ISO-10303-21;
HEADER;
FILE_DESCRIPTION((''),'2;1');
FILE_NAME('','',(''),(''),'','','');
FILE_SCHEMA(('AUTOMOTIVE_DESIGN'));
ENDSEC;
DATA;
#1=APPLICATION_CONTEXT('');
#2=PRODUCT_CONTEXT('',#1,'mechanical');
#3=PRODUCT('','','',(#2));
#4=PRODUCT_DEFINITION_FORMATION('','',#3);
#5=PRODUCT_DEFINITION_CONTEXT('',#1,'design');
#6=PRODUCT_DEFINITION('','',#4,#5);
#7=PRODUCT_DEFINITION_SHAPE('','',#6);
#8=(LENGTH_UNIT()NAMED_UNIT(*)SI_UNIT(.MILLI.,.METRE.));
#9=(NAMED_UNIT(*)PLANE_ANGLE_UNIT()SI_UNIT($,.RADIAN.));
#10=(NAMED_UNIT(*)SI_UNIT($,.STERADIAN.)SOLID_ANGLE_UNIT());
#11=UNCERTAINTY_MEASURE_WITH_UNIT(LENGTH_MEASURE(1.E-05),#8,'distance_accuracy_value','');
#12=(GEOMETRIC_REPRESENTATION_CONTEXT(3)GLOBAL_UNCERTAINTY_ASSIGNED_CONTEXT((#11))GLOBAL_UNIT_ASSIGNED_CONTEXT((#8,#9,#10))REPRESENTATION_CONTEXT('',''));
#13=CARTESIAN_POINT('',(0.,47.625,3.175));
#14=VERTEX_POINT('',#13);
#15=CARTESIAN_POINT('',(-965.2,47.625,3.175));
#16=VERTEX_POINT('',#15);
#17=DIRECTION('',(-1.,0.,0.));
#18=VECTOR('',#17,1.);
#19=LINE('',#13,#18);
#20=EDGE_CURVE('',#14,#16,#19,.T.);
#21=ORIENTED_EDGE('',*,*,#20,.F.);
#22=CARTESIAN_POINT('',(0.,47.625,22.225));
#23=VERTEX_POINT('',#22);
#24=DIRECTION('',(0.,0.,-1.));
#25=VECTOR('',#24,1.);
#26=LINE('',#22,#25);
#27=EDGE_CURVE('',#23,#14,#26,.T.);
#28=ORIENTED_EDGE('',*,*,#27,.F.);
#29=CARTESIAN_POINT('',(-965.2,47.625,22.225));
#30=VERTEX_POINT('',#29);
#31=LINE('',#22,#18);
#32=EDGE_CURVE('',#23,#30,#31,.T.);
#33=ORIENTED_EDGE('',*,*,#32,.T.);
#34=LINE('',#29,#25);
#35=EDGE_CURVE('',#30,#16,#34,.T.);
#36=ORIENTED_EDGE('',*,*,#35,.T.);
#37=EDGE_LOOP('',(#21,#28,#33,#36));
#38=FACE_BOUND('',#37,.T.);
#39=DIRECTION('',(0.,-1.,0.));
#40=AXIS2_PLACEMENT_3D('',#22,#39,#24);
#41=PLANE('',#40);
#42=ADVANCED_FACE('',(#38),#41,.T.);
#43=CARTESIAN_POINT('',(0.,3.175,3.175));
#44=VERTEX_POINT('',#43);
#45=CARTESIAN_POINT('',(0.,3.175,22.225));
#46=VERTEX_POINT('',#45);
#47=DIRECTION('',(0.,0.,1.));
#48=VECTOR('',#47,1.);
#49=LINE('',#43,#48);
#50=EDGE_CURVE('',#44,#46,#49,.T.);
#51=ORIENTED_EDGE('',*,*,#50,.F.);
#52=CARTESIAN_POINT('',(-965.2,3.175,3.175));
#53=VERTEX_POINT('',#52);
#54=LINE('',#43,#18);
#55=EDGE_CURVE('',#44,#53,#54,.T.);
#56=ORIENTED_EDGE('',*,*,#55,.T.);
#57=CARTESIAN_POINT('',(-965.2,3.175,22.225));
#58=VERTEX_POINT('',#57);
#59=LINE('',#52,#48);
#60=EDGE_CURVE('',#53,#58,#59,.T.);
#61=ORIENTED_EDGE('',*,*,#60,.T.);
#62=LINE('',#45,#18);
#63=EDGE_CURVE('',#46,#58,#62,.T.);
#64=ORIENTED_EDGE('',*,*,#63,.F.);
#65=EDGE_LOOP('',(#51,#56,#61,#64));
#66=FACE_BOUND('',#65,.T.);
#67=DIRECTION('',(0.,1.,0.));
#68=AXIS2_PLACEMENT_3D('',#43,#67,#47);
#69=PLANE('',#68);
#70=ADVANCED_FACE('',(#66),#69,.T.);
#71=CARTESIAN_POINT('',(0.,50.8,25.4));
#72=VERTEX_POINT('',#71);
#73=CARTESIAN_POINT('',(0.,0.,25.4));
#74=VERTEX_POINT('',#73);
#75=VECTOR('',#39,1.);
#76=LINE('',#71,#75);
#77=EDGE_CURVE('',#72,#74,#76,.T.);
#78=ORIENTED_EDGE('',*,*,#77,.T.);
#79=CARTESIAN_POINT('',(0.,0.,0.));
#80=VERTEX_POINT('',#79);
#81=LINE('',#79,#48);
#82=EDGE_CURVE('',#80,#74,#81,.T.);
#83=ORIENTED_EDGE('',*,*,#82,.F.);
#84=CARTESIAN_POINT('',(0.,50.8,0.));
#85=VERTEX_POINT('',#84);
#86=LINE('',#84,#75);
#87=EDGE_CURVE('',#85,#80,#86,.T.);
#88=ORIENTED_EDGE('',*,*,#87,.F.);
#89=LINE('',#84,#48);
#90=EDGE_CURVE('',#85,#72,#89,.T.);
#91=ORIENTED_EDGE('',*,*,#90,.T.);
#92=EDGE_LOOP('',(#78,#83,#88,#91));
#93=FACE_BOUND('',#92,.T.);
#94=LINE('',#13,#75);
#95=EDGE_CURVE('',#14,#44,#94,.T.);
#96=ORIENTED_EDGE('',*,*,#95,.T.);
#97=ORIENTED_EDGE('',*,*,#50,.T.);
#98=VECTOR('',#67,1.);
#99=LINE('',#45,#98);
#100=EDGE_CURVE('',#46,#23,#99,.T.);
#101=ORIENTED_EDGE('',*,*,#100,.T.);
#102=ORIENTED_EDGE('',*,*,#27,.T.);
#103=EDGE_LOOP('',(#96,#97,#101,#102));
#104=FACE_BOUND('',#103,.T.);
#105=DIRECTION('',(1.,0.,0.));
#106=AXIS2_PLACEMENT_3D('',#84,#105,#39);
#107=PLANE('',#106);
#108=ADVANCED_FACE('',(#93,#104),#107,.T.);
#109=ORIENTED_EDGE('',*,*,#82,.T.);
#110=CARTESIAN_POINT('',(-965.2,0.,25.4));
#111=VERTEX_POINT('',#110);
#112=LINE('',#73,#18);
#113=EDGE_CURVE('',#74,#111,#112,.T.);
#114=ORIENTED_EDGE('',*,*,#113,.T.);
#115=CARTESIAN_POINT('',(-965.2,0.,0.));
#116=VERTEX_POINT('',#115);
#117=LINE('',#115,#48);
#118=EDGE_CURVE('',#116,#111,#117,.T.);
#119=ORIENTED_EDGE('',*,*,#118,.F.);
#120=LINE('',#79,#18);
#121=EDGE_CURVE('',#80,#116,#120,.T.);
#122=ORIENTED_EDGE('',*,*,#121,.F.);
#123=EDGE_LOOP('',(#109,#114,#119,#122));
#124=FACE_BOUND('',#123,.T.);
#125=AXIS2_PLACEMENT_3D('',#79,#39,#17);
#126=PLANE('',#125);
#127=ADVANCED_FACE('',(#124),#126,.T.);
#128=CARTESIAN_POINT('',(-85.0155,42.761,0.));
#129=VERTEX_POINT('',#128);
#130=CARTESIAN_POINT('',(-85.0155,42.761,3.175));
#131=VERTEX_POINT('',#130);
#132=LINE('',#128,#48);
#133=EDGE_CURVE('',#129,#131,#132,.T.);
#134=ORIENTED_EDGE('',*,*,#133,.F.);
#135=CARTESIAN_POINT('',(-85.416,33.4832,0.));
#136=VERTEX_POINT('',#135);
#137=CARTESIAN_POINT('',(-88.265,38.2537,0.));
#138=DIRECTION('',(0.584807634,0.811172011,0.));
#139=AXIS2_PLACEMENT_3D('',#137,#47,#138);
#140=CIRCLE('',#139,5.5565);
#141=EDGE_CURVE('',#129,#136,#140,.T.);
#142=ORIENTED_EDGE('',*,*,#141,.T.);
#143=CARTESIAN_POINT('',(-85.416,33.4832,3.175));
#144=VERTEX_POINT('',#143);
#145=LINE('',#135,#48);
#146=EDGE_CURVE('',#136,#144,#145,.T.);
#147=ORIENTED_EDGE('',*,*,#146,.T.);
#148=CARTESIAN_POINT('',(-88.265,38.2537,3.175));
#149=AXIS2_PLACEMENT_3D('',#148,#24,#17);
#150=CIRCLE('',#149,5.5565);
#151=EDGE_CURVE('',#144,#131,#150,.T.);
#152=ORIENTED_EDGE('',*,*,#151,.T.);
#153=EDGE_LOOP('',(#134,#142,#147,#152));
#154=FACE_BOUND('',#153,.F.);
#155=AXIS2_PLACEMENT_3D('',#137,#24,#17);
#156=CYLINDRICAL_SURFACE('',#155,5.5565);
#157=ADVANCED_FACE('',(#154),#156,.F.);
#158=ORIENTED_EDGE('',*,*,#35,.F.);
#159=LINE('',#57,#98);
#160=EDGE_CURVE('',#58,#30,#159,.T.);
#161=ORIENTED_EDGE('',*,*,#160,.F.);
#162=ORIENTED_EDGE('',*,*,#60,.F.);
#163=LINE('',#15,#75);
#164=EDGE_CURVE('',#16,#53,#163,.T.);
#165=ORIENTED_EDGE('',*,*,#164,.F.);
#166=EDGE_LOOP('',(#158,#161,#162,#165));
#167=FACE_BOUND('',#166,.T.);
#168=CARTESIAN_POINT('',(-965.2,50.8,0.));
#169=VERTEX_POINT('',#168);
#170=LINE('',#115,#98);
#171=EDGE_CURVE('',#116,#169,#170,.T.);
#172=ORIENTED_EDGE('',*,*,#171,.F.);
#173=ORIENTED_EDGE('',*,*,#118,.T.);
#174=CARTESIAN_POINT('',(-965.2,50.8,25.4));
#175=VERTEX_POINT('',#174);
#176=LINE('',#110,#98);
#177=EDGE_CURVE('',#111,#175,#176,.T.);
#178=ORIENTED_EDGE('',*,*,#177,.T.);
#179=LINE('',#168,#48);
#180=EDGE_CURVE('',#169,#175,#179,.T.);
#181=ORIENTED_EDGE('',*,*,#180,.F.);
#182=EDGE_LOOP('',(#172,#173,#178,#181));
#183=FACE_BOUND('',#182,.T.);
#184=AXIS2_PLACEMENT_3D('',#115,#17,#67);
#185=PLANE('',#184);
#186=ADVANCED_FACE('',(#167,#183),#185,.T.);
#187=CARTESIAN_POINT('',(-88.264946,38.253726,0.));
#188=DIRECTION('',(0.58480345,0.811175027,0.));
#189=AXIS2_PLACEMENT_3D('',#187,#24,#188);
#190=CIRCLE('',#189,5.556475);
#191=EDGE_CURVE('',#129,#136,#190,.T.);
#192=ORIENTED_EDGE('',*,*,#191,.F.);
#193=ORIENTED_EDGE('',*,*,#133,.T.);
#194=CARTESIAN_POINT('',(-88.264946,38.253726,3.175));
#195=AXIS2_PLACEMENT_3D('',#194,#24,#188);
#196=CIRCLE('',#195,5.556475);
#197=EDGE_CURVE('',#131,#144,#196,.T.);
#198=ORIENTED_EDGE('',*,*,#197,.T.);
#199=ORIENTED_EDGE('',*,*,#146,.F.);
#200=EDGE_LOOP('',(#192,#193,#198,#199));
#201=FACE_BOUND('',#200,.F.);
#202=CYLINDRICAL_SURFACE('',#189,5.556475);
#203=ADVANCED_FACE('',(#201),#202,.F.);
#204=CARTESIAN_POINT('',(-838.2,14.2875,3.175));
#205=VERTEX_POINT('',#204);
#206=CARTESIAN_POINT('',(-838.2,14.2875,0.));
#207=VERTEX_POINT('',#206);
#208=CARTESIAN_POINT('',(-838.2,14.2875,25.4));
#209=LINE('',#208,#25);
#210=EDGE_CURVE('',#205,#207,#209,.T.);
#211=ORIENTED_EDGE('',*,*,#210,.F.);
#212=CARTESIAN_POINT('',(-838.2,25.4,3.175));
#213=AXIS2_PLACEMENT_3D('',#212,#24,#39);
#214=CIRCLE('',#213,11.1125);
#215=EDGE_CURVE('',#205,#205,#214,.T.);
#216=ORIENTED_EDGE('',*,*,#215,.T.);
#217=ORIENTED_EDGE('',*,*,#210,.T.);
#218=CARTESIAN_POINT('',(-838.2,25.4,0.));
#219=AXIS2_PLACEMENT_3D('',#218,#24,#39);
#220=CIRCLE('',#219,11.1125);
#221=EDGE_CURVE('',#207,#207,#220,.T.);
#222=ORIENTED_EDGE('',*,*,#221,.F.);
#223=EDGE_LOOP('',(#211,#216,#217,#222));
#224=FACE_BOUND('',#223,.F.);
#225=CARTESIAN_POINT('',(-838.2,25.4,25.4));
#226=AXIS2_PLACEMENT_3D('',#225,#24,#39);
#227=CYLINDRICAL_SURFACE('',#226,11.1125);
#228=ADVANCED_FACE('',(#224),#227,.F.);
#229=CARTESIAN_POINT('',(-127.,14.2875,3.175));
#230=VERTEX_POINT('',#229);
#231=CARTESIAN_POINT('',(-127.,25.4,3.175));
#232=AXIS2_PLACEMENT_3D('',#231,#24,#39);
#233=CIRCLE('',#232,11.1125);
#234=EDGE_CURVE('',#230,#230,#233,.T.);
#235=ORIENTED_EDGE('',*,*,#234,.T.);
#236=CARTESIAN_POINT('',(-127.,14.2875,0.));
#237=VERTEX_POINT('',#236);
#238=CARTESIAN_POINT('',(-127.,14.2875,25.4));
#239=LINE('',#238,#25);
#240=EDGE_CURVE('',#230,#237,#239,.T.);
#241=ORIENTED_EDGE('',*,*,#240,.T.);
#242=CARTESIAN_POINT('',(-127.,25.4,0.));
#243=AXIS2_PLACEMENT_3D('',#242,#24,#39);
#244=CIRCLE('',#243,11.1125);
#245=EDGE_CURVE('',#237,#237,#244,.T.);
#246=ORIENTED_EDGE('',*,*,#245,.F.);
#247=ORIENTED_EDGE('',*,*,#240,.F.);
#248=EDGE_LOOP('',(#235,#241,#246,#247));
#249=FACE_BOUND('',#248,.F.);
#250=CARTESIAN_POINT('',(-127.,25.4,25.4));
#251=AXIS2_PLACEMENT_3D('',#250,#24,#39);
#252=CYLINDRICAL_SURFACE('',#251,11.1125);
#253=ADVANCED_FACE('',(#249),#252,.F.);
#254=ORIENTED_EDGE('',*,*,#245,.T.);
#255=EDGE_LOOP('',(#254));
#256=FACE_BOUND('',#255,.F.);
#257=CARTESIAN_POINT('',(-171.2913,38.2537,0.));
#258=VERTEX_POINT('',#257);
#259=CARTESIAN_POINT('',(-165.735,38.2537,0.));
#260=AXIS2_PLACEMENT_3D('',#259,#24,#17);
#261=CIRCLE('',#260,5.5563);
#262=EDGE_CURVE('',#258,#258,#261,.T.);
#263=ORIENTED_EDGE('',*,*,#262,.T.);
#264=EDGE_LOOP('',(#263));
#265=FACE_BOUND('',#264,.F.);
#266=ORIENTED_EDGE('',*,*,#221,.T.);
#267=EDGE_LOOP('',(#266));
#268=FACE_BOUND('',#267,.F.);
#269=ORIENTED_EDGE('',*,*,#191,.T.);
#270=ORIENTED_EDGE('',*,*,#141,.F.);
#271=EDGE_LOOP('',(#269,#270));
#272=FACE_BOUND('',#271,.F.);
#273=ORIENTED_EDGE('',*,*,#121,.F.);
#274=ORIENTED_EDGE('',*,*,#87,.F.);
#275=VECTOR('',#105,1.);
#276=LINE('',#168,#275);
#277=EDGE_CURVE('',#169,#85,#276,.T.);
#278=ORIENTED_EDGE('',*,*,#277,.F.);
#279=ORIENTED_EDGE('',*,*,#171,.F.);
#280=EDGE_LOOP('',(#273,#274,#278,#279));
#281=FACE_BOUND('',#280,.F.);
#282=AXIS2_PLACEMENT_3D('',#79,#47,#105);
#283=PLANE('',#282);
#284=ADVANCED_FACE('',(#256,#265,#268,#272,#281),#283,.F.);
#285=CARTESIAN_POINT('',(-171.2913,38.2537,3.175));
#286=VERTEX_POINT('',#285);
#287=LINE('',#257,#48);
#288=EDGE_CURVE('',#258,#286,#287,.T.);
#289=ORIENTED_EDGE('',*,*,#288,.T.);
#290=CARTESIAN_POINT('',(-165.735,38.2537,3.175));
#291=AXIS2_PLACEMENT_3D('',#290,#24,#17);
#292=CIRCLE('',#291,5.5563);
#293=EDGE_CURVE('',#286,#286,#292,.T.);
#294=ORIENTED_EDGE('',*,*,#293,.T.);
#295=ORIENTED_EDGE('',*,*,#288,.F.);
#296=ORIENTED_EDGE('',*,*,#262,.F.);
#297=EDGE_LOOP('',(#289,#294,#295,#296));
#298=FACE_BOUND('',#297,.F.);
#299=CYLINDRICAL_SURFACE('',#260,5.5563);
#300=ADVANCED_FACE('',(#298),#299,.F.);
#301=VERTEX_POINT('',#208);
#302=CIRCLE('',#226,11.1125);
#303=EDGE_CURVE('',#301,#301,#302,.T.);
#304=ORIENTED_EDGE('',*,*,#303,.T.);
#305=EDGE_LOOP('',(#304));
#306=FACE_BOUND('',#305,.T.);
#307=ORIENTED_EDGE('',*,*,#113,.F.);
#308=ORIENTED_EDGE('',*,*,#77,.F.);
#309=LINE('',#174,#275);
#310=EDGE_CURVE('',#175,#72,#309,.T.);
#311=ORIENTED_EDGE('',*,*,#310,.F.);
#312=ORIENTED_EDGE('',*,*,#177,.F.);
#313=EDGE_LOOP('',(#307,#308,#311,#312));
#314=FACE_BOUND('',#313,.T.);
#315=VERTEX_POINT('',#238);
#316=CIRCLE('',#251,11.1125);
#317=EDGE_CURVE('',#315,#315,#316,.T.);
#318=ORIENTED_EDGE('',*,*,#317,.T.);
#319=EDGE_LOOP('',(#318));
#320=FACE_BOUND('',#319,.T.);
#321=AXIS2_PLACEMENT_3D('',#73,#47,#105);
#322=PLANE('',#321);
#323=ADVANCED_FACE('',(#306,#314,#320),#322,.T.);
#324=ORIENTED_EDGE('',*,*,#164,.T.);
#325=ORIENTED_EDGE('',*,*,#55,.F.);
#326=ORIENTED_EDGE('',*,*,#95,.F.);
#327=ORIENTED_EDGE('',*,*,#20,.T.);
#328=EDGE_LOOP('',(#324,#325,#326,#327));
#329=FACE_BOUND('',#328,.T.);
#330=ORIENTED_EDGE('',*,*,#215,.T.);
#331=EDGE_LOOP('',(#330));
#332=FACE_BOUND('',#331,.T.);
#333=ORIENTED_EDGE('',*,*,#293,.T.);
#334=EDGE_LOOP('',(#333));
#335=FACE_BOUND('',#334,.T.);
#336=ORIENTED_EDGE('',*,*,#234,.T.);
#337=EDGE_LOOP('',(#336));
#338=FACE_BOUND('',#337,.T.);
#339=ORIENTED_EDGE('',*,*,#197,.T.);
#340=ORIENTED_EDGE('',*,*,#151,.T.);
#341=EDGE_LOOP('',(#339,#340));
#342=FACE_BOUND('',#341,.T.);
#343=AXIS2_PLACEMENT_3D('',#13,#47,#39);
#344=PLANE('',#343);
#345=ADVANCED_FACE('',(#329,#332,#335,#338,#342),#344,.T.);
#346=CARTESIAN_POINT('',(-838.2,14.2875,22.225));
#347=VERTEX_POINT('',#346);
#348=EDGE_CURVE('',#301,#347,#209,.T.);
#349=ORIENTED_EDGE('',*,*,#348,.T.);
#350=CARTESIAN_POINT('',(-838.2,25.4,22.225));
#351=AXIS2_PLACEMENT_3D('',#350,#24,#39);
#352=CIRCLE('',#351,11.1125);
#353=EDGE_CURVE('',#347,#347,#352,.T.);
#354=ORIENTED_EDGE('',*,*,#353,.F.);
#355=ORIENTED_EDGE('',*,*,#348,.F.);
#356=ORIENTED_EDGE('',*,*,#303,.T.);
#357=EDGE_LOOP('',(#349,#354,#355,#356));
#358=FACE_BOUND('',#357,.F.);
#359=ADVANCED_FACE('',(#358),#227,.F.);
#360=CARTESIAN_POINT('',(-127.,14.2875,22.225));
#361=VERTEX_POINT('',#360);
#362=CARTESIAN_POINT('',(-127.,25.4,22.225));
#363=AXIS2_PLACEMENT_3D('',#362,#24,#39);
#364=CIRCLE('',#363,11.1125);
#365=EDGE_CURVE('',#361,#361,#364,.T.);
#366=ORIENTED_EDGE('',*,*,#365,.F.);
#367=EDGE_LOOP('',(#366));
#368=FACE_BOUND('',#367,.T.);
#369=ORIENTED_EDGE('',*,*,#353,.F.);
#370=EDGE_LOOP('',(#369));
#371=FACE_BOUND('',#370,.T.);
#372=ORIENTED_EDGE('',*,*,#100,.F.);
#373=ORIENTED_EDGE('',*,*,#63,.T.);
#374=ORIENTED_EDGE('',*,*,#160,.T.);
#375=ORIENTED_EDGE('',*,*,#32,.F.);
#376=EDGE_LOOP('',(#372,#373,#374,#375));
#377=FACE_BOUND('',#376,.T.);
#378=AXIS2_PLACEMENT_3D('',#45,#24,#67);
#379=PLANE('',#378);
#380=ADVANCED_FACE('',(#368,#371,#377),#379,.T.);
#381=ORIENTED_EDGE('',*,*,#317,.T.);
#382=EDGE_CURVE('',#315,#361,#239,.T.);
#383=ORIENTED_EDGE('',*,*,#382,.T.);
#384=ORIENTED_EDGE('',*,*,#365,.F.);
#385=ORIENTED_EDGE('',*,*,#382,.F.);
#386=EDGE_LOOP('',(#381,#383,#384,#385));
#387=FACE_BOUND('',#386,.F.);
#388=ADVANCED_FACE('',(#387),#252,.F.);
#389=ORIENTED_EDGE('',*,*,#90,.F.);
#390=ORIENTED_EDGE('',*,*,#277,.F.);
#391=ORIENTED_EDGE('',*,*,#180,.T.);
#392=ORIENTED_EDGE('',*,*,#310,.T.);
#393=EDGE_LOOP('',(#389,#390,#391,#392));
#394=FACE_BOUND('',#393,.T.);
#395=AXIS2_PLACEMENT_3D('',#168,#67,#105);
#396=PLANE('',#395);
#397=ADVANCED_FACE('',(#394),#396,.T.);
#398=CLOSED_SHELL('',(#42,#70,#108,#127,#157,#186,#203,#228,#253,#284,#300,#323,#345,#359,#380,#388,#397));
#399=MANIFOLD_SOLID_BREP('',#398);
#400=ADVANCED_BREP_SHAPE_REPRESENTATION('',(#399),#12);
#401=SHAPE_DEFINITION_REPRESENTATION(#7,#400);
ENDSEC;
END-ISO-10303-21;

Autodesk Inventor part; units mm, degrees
ref_plane "YZ Plane" through (0, 0, 0) normal (1, 0, 0) x (0, 1, 0)
ref_plane "XZ Plane" through (0, 0, 0) normal (0, 1, 0) x (-1, 0, 0)
ref_plane "XY Plane" through (0, 0, 0) normal (0, 0, 1) x (1, 0, 0)
sketch "Sketch1" plane through (0, 0, 0) normal (0, 0, 1) x (1, 0, 0)
  line L0 (0, 0) -> (-965.2, 0)
  line L1 (-965.2, 0) -> (-965.2, 50.8)
  line L2 (-965.2, 50.8) -> (0, 50.8)
  line L3 (0, 50.8) -> (0, 0)
  dimension "d0" = 50.8
  dimension "d1" = 965.2
extrude "Extrusion1" add sketch "Sketch1" along normal blind 25.4
sketch "Sketch2" plane through (0, 0, 0) normal (1, 0, 0) x (0, 0, -1)
  line L0 (-3.175, 3.175) -> (-22.225, 3.175)
  line L1 (-22.225, 3.175) -> (-22.225, 47.625)
  line L2 (-22.225, 47.625) -> (-3.175, 47.625)
  line L3 (-3.175, 47.625) -> (-3.175, 3.175)
  line L4 (0, 0) -> (-25.4, 0) projected
  line L5 (0, 50.8) -> (0, 0) projected
  line L6 (0, 50.8) -> (-25.4, 50.8) projected
  line L7 (-25.4, 0) -> (-25.4, 50.8) projected
  dimension "d5" = 3.175
  dimension "d7" = 3.175
  dimension "d8" = 3.175
  dimension "d9" = 3.175
extrude "Extrusion2" cut sketch "Sketch2" against normal blind 965.2 contours L0 L1 L2 L3
sketch "Sketch3" plane through (0, 0, 25.4) normal (0, 0, 1) x (1, 0, 0)
  circle A0 centre (-838.2, 25.4) radius 6.2992
  line L0 (-965.2, 0) -> (0, 0)
  line L1 (-965.2, 0) -> (0, 0) projected
  line L2 (-965.2, 50.8) -> (-965.2, 0) projected
  line L3 (0, 0) -> (0, 50.8) projected
  circle A1 centre (-127, 25.4) radius 11.1125
  dimension "d13" = 25.4
  dimension "d14" = 12.5984
  dimension "d16" = 127
  dimension "d18" = 22.225
hole "Hole1" at (-838.2, 25.4, 25.4) at (-127, 25.4, 25.4) direction (0, 0, -1) diameter 22.225 end through all
sketch "Sketch4" plane through (0, 0, 0) normal (0, 0, -1) x (-1, 0, 0)
  circle A0 centre (165.735, 38.2537) radius 5.5563 projected
  arc A1 (85.416, 33.4832) -> (85.0155, 42.761) centre (88.5446, 38.2658) ccw projected
  arc A2 (85.0155, 42.761) -> (85.416, 33.4832) centre (88.265, 38.2537) ccw projected
  circle A3 centre (165.735, 38.2537) radius 5.5563
  circle A4 centre (88.265, 38.2537) radius 5.5565
  point P0 (0, 0)
extrude "Extrusion3" cut sketch "Sketch4" against normal blind 5.08 contours A0 | A2 A4
